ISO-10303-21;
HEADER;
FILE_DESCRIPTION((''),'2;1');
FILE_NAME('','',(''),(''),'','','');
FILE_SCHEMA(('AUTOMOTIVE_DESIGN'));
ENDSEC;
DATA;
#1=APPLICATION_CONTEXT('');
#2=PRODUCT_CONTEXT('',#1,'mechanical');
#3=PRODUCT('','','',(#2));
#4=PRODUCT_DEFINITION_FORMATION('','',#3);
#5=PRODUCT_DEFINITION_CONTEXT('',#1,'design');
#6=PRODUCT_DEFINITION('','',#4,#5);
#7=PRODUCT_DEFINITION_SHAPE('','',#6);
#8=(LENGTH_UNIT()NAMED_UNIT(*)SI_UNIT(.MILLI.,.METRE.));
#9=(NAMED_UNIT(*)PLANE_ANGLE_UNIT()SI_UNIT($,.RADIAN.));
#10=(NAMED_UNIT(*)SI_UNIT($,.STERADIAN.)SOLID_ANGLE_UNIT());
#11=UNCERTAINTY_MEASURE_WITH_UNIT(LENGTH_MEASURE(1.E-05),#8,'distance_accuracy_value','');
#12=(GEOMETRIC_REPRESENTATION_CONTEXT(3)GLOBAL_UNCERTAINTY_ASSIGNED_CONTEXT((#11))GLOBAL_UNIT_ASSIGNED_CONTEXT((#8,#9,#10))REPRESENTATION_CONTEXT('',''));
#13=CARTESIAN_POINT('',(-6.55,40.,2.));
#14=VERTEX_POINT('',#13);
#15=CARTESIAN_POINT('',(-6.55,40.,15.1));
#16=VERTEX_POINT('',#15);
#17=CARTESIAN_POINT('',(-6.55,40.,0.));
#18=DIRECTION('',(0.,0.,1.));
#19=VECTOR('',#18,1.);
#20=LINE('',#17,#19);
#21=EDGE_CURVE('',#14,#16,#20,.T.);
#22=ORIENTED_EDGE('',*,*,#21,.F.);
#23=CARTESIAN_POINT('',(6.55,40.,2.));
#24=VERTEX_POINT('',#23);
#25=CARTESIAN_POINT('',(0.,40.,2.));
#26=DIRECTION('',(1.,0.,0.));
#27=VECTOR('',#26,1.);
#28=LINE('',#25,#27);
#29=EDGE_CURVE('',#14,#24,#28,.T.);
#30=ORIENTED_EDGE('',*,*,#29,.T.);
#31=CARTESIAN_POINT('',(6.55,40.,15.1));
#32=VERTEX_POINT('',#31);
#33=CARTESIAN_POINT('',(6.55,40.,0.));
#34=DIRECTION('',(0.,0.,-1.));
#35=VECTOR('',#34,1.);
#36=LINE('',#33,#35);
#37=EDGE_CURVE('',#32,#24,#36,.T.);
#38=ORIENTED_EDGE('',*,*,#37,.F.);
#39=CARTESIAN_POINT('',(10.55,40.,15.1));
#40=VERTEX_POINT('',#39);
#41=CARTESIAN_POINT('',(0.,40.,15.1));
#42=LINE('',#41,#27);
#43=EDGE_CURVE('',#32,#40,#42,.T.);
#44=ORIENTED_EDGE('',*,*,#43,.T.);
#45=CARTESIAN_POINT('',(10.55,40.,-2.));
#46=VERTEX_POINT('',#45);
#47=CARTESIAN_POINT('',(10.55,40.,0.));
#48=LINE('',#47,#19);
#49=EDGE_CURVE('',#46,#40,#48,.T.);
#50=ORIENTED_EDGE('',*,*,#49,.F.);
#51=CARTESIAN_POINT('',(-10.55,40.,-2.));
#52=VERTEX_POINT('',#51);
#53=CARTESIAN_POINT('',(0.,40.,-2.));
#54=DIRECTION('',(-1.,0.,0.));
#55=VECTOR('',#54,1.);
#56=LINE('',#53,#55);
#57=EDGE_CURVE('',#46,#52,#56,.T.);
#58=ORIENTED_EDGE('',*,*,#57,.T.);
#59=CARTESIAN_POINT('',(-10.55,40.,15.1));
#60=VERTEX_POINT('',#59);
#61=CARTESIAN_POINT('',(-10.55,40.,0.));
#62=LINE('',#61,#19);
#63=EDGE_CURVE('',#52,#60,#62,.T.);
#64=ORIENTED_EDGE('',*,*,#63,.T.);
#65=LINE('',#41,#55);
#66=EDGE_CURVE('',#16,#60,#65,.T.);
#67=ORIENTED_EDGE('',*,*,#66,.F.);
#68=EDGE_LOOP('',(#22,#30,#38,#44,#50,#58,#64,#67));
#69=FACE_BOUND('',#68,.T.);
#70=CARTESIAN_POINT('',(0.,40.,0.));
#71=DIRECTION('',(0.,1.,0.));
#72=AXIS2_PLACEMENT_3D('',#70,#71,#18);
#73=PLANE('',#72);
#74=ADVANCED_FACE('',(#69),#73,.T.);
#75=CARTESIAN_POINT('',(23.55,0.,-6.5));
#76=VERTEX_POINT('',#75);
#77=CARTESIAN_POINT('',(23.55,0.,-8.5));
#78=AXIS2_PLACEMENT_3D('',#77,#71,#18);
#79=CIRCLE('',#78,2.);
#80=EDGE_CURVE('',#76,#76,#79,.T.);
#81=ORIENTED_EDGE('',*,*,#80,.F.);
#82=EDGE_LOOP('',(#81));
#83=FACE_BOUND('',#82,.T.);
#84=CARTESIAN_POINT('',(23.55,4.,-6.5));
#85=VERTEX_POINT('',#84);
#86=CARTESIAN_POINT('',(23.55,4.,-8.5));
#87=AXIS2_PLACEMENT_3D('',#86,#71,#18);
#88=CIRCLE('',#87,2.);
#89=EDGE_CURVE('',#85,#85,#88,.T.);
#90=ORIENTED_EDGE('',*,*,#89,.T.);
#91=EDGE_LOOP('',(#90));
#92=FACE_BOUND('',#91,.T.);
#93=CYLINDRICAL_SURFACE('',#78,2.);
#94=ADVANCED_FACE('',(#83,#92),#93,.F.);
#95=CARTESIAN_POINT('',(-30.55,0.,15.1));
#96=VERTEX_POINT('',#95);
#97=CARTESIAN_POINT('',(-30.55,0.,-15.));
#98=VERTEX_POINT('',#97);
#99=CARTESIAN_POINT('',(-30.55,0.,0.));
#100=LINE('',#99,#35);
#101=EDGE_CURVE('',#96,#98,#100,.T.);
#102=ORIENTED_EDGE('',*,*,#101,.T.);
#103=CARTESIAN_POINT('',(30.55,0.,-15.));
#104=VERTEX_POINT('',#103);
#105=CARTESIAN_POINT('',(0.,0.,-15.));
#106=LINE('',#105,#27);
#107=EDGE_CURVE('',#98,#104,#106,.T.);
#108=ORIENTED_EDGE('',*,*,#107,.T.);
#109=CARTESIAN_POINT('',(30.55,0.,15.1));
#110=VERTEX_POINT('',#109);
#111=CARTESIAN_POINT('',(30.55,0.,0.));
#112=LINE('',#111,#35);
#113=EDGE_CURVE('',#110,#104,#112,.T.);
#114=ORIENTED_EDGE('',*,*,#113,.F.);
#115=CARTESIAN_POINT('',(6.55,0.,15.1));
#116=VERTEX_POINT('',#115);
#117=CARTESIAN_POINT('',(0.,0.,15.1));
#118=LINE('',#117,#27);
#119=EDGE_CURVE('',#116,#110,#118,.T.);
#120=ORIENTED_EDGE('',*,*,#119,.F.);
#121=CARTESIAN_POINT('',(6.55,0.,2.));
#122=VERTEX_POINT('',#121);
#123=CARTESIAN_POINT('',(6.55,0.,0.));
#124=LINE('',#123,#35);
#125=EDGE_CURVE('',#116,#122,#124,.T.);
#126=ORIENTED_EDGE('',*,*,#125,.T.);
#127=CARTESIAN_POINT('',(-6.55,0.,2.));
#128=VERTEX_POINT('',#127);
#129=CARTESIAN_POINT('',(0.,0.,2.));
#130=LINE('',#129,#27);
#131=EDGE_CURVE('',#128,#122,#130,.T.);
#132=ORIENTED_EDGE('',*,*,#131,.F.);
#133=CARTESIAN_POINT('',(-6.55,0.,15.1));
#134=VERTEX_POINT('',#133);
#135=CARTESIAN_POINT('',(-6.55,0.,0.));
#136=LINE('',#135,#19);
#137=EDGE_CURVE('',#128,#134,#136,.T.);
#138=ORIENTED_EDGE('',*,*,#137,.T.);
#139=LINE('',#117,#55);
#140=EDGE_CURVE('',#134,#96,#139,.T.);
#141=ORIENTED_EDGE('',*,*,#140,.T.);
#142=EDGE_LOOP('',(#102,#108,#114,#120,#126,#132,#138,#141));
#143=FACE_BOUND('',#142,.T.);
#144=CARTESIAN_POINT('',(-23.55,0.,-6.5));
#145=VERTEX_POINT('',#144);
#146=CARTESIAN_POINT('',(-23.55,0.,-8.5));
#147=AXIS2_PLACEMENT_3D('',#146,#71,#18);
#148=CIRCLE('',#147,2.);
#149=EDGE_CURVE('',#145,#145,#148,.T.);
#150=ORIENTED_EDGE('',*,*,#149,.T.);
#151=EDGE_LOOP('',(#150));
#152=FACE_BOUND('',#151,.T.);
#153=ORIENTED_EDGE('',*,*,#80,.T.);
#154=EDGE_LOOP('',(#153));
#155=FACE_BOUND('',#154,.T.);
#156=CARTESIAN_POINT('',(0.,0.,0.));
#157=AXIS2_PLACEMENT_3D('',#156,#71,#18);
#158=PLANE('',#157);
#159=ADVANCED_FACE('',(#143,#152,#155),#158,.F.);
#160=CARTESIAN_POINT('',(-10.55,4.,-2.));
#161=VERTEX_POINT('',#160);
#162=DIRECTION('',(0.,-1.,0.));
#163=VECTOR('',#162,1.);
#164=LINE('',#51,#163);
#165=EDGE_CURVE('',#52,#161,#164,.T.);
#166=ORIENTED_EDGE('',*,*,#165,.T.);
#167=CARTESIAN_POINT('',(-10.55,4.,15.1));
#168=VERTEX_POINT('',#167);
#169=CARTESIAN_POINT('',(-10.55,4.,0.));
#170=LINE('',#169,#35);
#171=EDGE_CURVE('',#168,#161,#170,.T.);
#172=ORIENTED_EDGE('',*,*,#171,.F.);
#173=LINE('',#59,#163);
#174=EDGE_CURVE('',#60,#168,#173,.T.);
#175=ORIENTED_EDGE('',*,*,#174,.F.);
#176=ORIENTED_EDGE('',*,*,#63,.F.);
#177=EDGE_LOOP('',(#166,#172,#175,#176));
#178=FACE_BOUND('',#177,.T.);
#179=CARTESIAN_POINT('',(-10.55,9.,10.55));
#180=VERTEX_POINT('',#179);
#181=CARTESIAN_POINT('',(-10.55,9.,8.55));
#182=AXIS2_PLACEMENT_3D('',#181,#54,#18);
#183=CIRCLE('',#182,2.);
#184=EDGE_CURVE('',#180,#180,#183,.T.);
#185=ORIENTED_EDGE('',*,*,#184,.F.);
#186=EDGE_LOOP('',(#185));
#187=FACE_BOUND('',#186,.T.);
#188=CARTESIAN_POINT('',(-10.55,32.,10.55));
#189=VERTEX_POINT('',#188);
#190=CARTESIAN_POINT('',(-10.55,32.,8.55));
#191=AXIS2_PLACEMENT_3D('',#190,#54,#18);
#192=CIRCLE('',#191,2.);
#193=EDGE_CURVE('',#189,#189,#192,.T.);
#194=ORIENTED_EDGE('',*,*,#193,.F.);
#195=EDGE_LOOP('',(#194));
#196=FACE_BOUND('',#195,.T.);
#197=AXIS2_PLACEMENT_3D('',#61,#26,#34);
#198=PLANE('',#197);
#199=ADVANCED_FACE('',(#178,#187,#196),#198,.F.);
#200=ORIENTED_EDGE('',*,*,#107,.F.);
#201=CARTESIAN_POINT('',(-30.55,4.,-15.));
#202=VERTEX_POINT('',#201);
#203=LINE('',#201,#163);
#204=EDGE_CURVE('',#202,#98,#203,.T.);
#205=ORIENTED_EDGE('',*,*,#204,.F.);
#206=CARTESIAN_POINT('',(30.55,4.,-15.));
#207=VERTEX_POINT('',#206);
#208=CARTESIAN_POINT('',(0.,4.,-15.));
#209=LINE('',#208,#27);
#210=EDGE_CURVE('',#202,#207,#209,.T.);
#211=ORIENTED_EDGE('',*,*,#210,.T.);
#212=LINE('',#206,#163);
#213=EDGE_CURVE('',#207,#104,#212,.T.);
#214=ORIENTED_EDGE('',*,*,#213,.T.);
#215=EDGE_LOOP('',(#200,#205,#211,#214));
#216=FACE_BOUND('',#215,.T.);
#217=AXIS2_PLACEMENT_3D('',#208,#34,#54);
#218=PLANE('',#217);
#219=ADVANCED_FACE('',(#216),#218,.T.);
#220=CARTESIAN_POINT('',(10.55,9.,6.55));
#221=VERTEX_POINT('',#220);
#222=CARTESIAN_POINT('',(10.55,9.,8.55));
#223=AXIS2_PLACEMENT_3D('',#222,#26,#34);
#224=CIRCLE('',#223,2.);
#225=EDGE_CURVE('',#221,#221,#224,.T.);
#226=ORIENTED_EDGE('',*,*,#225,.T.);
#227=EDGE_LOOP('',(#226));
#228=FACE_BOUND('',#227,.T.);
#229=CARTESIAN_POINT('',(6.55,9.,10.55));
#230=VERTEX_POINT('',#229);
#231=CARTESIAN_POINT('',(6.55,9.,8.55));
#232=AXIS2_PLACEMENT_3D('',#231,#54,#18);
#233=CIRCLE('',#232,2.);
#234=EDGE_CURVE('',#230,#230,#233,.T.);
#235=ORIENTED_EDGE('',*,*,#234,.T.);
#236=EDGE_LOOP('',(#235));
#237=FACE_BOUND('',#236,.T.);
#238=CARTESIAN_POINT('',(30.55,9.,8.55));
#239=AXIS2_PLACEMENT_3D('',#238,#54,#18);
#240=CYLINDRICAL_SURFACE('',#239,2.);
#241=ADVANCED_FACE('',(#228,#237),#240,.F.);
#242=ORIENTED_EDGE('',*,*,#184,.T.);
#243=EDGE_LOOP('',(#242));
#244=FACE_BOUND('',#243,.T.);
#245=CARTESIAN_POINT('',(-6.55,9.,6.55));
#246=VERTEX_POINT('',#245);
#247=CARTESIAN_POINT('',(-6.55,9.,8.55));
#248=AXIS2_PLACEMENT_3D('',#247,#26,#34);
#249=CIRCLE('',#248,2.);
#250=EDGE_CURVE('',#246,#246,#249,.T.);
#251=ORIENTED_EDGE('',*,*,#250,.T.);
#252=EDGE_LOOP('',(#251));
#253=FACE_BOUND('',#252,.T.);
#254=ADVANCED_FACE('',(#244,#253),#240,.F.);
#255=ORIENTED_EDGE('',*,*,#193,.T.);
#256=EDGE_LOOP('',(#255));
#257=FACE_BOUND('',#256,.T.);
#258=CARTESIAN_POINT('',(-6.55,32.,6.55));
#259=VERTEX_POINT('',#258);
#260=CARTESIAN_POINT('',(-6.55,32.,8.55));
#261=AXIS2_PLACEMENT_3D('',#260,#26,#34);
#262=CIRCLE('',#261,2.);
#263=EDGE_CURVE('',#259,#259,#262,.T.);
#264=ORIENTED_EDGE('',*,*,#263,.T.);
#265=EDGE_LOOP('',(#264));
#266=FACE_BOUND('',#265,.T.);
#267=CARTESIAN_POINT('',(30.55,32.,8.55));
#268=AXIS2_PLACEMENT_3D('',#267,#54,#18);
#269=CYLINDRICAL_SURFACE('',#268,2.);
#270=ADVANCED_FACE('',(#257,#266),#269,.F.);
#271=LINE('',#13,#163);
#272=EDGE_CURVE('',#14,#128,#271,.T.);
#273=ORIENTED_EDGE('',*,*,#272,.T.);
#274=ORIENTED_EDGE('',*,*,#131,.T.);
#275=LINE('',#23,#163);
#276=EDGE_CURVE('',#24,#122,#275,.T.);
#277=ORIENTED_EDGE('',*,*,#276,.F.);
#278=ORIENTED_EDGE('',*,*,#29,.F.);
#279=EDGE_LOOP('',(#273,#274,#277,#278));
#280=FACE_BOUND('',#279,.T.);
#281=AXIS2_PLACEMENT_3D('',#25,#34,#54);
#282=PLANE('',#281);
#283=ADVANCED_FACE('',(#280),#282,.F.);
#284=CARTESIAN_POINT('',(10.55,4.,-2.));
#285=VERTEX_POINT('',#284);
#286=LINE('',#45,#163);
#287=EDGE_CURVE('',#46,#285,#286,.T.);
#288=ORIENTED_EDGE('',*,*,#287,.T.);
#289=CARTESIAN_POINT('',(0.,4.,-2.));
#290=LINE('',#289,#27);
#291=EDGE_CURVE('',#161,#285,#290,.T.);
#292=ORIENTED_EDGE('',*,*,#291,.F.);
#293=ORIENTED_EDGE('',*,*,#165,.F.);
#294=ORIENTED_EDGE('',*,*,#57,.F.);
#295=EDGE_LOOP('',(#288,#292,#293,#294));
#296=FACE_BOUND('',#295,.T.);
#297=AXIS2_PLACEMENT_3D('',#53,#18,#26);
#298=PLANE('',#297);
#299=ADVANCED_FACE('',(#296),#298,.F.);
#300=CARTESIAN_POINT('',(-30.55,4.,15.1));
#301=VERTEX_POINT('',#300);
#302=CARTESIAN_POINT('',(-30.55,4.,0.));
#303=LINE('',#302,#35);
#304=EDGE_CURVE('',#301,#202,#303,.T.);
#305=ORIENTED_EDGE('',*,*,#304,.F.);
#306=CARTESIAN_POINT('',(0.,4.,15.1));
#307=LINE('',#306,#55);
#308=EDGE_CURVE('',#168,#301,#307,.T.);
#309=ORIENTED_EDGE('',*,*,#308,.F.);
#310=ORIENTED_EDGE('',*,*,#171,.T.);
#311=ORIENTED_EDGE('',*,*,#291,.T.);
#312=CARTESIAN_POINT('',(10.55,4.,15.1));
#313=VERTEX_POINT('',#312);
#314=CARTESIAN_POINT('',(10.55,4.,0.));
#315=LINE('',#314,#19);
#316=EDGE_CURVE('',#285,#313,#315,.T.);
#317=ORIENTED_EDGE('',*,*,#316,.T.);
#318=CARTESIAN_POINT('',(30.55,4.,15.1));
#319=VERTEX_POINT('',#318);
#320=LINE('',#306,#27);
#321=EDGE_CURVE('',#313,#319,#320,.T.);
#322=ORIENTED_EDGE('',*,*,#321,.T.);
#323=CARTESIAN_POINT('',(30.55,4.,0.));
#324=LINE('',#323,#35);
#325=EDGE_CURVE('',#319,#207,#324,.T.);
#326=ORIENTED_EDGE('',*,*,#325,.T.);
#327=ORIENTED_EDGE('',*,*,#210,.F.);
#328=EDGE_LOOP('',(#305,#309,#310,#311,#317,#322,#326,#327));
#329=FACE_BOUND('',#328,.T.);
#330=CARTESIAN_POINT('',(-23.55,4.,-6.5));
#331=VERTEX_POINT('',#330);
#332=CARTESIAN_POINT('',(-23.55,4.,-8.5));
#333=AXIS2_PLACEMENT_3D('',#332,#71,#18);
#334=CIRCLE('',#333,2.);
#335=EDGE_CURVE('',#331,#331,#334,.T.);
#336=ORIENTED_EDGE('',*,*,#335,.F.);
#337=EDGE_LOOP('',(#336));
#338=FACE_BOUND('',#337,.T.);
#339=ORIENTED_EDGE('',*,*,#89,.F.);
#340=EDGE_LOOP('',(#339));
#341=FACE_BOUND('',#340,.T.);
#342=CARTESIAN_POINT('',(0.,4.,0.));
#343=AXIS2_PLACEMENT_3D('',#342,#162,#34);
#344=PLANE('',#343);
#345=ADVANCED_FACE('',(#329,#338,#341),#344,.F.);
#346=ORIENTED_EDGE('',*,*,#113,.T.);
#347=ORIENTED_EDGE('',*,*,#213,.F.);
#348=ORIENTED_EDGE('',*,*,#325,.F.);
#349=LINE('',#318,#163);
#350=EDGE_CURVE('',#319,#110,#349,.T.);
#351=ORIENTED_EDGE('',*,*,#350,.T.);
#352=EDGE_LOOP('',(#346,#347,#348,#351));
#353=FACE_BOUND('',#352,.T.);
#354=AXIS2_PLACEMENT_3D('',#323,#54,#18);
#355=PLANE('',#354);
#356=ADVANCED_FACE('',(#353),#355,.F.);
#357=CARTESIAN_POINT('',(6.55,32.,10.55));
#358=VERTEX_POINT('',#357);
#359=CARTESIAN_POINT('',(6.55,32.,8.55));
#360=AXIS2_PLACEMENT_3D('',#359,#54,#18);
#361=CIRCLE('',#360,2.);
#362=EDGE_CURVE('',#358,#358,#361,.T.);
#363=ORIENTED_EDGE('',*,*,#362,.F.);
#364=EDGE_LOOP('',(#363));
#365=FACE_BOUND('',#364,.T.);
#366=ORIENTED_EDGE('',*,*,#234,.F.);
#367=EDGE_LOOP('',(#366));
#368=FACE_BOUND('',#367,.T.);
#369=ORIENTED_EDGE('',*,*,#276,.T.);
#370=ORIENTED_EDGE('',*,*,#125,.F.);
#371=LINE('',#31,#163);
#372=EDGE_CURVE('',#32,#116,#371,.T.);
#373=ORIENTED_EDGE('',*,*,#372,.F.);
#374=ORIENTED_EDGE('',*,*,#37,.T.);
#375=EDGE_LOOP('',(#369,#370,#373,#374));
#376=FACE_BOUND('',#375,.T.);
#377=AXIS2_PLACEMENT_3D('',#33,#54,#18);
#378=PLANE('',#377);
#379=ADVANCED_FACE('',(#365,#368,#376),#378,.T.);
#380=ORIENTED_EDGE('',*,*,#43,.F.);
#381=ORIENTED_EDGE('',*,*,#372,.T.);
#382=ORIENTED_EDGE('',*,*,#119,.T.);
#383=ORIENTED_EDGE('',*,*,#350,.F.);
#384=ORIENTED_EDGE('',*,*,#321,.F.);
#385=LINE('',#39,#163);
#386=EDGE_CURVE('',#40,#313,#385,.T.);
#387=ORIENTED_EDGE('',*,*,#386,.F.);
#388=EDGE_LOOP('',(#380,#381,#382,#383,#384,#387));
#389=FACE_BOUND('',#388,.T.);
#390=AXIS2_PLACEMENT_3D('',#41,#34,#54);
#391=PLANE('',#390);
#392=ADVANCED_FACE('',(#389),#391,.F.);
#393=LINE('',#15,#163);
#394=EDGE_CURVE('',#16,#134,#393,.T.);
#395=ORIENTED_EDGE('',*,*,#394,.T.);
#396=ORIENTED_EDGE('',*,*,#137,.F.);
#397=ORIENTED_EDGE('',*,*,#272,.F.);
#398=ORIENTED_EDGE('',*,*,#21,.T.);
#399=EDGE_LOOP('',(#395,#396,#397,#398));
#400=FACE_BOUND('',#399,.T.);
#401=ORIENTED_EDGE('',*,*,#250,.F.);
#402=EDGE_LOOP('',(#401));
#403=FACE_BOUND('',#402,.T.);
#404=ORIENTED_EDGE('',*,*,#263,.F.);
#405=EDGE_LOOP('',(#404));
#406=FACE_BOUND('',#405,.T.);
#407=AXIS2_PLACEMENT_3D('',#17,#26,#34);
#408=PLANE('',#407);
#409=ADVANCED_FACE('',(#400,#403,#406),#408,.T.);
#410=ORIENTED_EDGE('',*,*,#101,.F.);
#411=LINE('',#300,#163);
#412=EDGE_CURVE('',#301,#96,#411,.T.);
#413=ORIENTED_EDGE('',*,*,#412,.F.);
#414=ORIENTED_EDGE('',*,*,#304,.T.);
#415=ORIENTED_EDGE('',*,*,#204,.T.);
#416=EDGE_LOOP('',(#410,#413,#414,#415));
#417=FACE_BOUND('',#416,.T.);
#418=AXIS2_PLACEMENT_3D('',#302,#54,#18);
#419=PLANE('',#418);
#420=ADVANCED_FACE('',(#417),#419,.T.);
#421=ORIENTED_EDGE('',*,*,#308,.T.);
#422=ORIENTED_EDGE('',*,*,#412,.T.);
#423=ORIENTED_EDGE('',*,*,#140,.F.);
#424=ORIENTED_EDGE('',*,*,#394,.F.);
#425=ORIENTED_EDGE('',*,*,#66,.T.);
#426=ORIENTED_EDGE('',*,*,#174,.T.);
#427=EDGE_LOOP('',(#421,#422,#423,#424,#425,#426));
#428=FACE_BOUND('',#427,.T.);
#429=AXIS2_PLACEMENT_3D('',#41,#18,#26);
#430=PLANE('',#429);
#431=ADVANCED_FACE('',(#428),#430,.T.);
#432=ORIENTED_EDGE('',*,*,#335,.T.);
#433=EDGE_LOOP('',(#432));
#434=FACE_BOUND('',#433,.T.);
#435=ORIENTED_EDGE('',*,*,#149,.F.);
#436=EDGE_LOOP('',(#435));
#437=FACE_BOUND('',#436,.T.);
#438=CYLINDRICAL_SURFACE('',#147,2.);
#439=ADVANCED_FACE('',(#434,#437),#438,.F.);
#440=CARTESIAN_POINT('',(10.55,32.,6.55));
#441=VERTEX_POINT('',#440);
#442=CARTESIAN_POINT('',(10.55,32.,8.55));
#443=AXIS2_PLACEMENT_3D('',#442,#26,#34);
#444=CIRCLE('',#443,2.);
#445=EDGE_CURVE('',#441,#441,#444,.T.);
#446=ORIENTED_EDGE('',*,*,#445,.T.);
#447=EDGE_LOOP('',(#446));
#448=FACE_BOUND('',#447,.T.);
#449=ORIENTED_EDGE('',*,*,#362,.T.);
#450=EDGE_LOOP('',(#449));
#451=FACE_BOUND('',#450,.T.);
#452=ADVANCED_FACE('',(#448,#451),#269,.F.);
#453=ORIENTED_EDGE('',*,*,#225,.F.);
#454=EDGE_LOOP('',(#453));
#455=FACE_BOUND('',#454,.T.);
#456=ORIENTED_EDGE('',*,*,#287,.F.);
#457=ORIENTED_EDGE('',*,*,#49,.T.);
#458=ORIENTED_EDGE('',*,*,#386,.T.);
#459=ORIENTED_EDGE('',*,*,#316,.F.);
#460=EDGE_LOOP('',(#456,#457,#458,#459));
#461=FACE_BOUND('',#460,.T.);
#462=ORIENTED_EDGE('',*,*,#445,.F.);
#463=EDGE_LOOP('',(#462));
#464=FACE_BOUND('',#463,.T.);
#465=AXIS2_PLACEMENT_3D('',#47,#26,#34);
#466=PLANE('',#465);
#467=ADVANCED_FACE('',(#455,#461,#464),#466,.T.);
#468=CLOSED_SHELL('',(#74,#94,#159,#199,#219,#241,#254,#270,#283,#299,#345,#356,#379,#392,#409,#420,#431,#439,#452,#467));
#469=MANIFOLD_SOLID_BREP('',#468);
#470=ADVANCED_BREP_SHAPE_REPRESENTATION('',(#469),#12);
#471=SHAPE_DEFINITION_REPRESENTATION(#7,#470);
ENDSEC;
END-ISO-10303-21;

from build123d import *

# Parameters (mm, degrees)
SKETCH1_W           = 13.1
SKETCH1_H           = 4
BOSS_EXTRUDE1_DEPTH = 40
SKETCH2_W           = 21.1
SKETCH2_H           = 13
BOSS_EXTRUDE2_DEPTH = 4
SKETCH3_R           = 2
CUT_EXTRUDE1_DEPTH  = 50.571287052
SKETCH4_R           = 2
CUT_EXTRUDE2_DEPTH  = 60.306154824


with BuildPart() as part:
    # Sketch1 → Boss-Extrude1 (new body)
    with BuildSketch(Plane(origin=(0, 0, 0), x_dir=(1, 0, 0), z_dir=(0, 1, 0))):
        Polygon((-6.55, -15.1), (-6.55, -2), (-6.55, 2), (-10.55, 2), (-10.55, -15.1), align=None)
        Rectangle(SKETCH1_W, SKETCH1_H)
        Polygon((6.55, 2), (6.55, -2), (6.55, -15.1), (10.55, -15.1), (10.55, 2), align=None)
    extrude(amount=BOSS_EXTRUDE1_DEPTH)

    # Sketch2 → Boss-Extrude2 (add)
    with BuildSketch(Plane.XZ):
        Polygon((30.55, 15.1), (10.55, 15.1), (10.55, -2), (10.55, -15), (30.55, -15), align=None)
        with Locations((0, -8.5)):
            Rectangle(SKETCH2_W, SKETCH2_H)
        Polygon((-10.55, -15), (-10.55, -2), (-10.55, 15.1), (-30.55, 15.1), (-30.55, -15), align=None)
    extrude(amount=-BOSS_EXTRUDE2_DEPTH)

    # Sketch3 → Cut-Extrude1 (cut, through all)
    with BuildSketch(Plane(origin=(0, 4, 0), x_dir=(1, 0, 0), z_dir=(0, 1, 0))):
        with Locations(Location((-23.55, 8.5, 0), (0, 0, 270))):
            Circle(SKETCH3_R)
        with Locations(Location((23.55, 8.5, 0), (0, 0, 270))):
            Circle(SKETCH3_R)
    extrude(amount=-CUT_EXTRUDE1_DEPTH, mode=Mode.SUBTRACT)

    # Sketch4 → Cut-Extrude2 (cut, through all)
    with BuildSketch(Plane.ZY.offset(10.55)):
        with Locations((8.55, 9)):
            Circle(SKETCH4_R)
        with Locations((8.55, 32)):
            Circle(SKETCH4_R)
    extrude(amount=-CUT_EXTRUDE2_DEPTH, mode=Mode.SUBTRACT)


solid = part.part
